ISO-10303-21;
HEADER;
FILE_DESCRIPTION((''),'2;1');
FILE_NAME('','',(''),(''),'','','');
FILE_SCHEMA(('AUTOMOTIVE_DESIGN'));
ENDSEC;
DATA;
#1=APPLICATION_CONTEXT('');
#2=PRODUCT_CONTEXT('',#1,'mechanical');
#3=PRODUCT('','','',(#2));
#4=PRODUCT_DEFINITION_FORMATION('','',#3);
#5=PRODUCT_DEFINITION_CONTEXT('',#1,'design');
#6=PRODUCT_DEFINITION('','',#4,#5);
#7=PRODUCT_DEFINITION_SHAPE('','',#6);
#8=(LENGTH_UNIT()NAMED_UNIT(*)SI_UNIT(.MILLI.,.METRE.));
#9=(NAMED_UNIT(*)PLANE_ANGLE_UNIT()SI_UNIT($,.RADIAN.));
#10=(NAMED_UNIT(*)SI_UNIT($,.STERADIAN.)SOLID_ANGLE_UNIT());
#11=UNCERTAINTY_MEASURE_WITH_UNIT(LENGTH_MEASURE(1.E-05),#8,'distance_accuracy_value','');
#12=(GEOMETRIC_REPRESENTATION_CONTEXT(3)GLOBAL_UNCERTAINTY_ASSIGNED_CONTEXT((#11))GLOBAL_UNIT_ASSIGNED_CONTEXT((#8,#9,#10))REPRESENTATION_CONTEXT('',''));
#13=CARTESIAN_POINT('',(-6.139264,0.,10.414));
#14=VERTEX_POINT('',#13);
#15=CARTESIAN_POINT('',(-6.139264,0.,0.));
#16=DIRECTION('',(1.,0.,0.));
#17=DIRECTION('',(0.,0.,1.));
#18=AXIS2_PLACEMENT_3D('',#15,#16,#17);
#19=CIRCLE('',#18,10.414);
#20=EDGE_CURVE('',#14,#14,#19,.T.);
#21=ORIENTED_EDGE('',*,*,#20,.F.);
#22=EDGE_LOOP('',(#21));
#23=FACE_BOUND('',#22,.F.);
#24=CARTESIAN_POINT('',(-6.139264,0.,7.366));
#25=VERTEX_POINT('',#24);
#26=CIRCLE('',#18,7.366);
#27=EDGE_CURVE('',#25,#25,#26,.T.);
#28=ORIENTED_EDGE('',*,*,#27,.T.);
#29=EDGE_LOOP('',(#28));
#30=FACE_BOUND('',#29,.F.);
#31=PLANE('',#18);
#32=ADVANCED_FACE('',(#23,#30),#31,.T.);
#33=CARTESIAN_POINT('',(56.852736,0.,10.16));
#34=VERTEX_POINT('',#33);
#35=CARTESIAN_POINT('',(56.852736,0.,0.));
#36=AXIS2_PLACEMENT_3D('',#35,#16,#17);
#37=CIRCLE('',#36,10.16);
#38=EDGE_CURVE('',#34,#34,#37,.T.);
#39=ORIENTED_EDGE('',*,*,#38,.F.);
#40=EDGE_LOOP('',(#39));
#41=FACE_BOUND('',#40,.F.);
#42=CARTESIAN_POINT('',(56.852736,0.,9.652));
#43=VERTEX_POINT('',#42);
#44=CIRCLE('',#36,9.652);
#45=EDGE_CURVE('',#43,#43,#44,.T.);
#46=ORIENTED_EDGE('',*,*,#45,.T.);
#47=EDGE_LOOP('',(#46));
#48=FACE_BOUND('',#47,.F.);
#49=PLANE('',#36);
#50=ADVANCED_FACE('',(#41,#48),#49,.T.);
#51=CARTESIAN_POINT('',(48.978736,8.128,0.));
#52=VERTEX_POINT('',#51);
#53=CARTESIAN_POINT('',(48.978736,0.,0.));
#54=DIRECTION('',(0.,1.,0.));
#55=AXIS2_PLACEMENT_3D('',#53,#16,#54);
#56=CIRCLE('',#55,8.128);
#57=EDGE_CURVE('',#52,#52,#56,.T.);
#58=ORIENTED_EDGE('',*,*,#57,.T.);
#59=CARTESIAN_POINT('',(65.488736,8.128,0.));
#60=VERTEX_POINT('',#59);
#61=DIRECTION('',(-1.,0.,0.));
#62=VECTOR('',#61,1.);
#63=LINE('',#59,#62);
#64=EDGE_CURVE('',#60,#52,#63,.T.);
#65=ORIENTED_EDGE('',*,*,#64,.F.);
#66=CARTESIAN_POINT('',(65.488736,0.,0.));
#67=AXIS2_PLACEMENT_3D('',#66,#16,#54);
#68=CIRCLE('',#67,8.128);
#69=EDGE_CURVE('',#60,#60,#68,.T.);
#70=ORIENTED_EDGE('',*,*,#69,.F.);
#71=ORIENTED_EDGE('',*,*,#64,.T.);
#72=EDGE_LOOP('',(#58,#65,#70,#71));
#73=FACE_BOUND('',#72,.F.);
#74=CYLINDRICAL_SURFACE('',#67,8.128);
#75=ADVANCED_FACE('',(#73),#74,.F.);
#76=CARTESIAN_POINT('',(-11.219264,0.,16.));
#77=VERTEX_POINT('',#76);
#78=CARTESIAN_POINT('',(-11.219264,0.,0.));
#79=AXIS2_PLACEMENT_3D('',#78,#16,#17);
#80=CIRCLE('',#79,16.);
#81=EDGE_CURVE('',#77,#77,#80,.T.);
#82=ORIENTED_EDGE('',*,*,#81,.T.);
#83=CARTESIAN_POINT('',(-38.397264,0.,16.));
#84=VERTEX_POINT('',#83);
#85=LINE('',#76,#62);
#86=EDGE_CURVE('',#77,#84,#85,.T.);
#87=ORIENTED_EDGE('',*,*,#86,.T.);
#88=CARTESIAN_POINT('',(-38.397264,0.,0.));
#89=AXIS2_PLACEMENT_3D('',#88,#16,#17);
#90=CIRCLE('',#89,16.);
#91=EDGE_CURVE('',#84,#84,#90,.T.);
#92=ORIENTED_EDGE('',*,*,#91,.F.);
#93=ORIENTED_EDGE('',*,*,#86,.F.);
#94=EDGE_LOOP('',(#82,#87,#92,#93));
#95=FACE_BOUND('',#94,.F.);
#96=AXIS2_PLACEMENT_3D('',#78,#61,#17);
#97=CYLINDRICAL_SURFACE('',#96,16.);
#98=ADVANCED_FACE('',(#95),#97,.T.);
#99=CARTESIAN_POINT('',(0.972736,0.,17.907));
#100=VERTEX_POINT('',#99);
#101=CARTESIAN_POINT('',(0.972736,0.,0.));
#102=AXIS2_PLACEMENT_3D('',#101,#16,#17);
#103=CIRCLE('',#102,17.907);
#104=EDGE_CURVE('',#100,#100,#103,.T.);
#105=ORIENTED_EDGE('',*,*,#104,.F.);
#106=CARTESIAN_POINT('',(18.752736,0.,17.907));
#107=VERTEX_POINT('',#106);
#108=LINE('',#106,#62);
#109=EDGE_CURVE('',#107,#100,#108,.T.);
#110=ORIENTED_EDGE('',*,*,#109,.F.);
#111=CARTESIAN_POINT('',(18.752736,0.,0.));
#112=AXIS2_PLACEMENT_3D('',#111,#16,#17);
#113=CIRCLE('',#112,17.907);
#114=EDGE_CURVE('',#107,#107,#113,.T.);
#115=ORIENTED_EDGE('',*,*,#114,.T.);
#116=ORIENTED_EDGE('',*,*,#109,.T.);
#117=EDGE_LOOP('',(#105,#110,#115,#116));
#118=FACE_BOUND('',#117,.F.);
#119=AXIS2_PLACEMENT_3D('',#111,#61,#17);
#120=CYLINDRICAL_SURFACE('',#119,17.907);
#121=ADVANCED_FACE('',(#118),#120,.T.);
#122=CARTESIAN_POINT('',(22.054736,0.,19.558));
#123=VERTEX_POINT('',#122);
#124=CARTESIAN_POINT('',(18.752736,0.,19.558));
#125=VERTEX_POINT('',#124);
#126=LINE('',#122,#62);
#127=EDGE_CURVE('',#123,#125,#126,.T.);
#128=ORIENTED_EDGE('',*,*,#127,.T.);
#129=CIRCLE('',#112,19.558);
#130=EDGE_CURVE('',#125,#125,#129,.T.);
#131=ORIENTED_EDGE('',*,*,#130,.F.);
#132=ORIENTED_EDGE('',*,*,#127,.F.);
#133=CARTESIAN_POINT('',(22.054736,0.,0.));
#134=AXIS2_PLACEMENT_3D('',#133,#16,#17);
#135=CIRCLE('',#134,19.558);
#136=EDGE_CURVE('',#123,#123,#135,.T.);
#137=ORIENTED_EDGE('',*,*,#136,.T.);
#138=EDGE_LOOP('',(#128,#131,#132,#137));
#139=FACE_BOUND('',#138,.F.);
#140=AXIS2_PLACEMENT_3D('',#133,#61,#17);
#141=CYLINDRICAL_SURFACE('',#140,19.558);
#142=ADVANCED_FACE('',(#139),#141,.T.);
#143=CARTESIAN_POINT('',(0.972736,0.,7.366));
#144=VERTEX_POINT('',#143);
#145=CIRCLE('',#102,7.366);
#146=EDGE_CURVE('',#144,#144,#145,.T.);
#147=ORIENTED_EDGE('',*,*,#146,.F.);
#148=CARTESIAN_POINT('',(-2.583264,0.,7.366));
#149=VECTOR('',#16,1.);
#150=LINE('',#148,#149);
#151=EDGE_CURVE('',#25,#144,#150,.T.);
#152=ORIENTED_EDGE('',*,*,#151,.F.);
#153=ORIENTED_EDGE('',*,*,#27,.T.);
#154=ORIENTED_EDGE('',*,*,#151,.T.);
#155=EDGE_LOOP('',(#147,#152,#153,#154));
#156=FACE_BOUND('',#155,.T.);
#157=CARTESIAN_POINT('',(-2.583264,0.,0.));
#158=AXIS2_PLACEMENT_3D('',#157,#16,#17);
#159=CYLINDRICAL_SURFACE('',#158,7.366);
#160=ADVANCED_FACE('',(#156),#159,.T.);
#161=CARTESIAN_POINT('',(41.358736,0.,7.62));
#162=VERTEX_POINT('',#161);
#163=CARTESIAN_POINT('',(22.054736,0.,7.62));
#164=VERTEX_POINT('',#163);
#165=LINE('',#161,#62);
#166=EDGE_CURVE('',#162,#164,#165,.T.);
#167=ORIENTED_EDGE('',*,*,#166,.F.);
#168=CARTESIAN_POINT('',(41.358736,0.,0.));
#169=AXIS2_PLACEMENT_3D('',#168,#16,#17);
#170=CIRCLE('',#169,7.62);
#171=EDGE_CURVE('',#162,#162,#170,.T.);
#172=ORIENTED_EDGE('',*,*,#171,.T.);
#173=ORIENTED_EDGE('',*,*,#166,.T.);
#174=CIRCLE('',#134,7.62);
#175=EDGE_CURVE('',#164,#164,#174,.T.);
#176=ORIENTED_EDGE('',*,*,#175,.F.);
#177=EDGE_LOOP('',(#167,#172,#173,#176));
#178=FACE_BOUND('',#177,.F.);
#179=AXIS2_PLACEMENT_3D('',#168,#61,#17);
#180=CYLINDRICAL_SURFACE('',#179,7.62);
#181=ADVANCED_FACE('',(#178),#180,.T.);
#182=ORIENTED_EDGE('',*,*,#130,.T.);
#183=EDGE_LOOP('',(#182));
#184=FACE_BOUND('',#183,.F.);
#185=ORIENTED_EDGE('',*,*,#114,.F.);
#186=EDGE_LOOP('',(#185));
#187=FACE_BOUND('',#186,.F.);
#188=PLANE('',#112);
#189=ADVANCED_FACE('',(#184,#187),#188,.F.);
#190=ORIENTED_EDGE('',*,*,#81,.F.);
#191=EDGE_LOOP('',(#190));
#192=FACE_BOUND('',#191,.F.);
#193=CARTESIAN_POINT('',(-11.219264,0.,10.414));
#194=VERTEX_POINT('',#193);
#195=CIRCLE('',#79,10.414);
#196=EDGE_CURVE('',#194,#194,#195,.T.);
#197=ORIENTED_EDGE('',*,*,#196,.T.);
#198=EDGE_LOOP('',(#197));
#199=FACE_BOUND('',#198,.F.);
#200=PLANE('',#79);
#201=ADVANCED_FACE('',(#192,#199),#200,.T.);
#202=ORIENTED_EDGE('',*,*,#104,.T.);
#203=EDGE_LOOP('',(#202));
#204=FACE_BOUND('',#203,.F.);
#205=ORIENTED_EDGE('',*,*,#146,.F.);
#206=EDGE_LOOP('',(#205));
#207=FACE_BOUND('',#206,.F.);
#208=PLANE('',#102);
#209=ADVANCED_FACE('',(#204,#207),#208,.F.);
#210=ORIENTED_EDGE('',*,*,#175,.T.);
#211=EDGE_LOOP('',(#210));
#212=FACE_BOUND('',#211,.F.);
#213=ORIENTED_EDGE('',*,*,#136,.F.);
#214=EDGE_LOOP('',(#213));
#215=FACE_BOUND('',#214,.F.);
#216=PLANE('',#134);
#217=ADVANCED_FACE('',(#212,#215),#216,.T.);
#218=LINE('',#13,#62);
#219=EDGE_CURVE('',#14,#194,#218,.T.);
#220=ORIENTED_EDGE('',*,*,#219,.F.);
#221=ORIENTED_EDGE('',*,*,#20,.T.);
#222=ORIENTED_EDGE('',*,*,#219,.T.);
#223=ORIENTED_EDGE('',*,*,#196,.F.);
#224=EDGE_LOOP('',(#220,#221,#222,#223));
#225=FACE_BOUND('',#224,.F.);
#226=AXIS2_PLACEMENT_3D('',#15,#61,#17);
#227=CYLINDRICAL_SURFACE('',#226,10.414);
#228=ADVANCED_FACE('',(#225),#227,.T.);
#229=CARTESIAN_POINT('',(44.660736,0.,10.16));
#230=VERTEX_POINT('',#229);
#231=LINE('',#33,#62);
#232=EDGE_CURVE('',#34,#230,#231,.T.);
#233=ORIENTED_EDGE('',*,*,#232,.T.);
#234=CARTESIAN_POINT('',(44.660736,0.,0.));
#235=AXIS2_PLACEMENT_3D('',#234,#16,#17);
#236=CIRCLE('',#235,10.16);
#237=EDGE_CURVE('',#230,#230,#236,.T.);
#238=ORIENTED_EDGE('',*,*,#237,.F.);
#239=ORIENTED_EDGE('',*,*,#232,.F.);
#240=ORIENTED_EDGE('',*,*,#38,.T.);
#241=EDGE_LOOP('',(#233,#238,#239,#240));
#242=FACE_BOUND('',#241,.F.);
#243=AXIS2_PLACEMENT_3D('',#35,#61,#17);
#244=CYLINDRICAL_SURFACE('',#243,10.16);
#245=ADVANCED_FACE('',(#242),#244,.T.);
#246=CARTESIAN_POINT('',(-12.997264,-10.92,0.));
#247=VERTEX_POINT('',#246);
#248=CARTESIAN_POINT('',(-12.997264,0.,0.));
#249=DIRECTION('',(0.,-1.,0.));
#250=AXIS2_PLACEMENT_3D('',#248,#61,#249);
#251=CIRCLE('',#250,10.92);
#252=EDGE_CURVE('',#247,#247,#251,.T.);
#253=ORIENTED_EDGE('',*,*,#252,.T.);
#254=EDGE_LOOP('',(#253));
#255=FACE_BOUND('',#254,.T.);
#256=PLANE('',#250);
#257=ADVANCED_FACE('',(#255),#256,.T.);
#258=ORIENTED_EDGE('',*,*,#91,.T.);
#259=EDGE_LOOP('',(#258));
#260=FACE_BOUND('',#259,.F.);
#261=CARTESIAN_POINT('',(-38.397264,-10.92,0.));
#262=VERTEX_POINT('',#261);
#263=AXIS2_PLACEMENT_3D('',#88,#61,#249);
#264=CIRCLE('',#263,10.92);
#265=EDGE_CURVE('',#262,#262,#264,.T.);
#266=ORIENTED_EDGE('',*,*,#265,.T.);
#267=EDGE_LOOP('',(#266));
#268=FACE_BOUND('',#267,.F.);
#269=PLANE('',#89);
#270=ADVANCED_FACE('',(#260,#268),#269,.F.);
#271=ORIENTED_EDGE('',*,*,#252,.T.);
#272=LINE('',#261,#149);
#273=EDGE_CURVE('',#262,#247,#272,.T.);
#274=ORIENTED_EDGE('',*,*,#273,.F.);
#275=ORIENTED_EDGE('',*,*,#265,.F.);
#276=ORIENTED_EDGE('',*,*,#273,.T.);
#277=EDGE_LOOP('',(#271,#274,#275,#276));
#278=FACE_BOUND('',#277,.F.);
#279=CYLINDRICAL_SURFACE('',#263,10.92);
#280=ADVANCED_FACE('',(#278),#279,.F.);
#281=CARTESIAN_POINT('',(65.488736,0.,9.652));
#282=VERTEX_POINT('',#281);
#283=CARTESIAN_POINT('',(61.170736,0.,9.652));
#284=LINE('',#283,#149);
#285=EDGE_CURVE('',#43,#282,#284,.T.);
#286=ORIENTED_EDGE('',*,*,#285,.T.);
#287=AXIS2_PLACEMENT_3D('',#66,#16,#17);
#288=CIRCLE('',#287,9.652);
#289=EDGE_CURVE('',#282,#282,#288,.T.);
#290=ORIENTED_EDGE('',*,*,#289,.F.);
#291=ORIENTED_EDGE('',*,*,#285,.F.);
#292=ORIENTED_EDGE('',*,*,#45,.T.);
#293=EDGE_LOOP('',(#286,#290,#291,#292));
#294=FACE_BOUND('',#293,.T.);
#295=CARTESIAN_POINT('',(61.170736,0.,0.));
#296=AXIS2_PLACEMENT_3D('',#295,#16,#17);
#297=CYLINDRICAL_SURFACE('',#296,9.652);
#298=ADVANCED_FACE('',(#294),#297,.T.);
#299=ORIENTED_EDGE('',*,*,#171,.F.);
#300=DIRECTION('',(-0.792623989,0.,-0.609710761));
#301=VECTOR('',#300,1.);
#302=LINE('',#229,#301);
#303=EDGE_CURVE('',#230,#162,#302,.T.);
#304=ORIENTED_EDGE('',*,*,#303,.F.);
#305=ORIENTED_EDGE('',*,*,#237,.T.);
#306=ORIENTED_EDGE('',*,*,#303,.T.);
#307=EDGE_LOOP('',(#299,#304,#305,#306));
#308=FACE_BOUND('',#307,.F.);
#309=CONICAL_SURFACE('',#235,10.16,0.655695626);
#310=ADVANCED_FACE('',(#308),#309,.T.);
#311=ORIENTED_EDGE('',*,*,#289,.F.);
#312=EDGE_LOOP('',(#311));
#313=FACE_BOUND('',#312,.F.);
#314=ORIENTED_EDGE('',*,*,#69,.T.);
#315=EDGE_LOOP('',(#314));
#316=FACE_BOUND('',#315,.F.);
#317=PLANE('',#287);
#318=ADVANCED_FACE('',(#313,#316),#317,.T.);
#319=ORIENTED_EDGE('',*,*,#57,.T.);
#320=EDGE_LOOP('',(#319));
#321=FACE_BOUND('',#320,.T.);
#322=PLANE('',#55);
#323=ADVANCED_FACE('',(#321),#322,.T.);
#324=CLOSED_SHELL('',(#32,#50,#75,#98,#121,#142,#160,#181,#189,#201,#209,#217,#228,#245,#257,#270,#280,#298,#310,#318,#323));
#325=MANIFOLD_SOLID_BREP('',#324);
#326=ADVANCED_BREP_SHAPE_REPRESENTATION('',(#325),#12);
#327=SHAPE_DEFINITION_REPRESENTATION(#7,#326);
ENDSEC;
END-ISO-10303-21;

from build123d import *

# Parameters (mm, degrees)
F0_W     = 7.112
F0_H     = 7.366
F0_W_2   = 8.636
F0_H_2   = 9.652
F4_R     = 10.92
F5_DEPTH = 25.4
F6_R     = 8.128
F7_DEPTH = 16.51


with BuildPart() as f1:
    # F0 (on Front) → F1 (revolve)
    with BuildSketch(Plane.XZ):
        Polygon((-38.397264, 16), (-38.397264, 0), (-11.219264, 0), (-11.219264, 10.414), (-11.219264, 16), align=None)
    revolve(axis=Axis((-8.996764, 0, 0), (1, 0, 0)))

    # F0 (on Front) → F2 (revolve)
    with BuildSketch(Plane.XZ):
        Polygon((-11.219264, 10.414), (-11.219264, 0), (-6.139264, 0), (-6.139264, 7.366), (-6.139264, 10.414), align=None)
    revolve(axis=Axis((-8.996764, 0, 0), (1, 0, 0)))

    # F0 (on Front) → F3 (revolve)
    with BuildSketch(Plane.XZ):
        Polygon((0.972736, 7.366), (0.972736, 0), (18.752736, 0), (18.752736, 17.907), (0.972736, 17.907), align=None)
        Polygon((18.752736, 17.907), (18.752736, 0), (20.403736, 0), (22.054736, 0), (22.054736, 7.62), (22.054736, 19.558), (18.752736, 19.558), align=None)
        with Locations((-2.583264, 3.683)):
            Rectangle(F0_W, F0_H)
        Polygon((22.054736, 7.62), (22.054736, 0), (22.72404, 0), (41.33619, 0), (41.33619, 7.62), align=None)
        Polygon((41.33619, 7.62), (41.33619, 0), (44.660736, 0), (44.660736, 10.16), (41.358736, 7.62), align=None)
        Polygon((44.660736, 10.16), (44.660736, 0), (56.852736, 0), (56.852736, 9.652), (56.852736, 10.16), align=None)
        with Locations((61.170736, 4.826)):
            Rectangle(F0_W_2, F0_H_2)
    revolve(axis=Axis((-8.996764, 0, 0), (1, 0, 0)))

    # F4 (on face) → F5 (cut)
    with BuildSketch(Plane(origin=(-38.397264, 0, 0), x_dir=(0, -1, 0), z_dir=(-1, 0, 0))):
        Circle(F4_R)
    extrude(amount=-F5_DEPTH, mode=Mode.SUBTRACT)

    # F6 (on face) → F7 (cut)
    with BuildSketch(Plane.YZ.offset(65.488736)):
        Circle(F6_R)
    extrude(amount=-F7_DEPTH, mode=Mode.SUBTRACT)


solid = f1.part
